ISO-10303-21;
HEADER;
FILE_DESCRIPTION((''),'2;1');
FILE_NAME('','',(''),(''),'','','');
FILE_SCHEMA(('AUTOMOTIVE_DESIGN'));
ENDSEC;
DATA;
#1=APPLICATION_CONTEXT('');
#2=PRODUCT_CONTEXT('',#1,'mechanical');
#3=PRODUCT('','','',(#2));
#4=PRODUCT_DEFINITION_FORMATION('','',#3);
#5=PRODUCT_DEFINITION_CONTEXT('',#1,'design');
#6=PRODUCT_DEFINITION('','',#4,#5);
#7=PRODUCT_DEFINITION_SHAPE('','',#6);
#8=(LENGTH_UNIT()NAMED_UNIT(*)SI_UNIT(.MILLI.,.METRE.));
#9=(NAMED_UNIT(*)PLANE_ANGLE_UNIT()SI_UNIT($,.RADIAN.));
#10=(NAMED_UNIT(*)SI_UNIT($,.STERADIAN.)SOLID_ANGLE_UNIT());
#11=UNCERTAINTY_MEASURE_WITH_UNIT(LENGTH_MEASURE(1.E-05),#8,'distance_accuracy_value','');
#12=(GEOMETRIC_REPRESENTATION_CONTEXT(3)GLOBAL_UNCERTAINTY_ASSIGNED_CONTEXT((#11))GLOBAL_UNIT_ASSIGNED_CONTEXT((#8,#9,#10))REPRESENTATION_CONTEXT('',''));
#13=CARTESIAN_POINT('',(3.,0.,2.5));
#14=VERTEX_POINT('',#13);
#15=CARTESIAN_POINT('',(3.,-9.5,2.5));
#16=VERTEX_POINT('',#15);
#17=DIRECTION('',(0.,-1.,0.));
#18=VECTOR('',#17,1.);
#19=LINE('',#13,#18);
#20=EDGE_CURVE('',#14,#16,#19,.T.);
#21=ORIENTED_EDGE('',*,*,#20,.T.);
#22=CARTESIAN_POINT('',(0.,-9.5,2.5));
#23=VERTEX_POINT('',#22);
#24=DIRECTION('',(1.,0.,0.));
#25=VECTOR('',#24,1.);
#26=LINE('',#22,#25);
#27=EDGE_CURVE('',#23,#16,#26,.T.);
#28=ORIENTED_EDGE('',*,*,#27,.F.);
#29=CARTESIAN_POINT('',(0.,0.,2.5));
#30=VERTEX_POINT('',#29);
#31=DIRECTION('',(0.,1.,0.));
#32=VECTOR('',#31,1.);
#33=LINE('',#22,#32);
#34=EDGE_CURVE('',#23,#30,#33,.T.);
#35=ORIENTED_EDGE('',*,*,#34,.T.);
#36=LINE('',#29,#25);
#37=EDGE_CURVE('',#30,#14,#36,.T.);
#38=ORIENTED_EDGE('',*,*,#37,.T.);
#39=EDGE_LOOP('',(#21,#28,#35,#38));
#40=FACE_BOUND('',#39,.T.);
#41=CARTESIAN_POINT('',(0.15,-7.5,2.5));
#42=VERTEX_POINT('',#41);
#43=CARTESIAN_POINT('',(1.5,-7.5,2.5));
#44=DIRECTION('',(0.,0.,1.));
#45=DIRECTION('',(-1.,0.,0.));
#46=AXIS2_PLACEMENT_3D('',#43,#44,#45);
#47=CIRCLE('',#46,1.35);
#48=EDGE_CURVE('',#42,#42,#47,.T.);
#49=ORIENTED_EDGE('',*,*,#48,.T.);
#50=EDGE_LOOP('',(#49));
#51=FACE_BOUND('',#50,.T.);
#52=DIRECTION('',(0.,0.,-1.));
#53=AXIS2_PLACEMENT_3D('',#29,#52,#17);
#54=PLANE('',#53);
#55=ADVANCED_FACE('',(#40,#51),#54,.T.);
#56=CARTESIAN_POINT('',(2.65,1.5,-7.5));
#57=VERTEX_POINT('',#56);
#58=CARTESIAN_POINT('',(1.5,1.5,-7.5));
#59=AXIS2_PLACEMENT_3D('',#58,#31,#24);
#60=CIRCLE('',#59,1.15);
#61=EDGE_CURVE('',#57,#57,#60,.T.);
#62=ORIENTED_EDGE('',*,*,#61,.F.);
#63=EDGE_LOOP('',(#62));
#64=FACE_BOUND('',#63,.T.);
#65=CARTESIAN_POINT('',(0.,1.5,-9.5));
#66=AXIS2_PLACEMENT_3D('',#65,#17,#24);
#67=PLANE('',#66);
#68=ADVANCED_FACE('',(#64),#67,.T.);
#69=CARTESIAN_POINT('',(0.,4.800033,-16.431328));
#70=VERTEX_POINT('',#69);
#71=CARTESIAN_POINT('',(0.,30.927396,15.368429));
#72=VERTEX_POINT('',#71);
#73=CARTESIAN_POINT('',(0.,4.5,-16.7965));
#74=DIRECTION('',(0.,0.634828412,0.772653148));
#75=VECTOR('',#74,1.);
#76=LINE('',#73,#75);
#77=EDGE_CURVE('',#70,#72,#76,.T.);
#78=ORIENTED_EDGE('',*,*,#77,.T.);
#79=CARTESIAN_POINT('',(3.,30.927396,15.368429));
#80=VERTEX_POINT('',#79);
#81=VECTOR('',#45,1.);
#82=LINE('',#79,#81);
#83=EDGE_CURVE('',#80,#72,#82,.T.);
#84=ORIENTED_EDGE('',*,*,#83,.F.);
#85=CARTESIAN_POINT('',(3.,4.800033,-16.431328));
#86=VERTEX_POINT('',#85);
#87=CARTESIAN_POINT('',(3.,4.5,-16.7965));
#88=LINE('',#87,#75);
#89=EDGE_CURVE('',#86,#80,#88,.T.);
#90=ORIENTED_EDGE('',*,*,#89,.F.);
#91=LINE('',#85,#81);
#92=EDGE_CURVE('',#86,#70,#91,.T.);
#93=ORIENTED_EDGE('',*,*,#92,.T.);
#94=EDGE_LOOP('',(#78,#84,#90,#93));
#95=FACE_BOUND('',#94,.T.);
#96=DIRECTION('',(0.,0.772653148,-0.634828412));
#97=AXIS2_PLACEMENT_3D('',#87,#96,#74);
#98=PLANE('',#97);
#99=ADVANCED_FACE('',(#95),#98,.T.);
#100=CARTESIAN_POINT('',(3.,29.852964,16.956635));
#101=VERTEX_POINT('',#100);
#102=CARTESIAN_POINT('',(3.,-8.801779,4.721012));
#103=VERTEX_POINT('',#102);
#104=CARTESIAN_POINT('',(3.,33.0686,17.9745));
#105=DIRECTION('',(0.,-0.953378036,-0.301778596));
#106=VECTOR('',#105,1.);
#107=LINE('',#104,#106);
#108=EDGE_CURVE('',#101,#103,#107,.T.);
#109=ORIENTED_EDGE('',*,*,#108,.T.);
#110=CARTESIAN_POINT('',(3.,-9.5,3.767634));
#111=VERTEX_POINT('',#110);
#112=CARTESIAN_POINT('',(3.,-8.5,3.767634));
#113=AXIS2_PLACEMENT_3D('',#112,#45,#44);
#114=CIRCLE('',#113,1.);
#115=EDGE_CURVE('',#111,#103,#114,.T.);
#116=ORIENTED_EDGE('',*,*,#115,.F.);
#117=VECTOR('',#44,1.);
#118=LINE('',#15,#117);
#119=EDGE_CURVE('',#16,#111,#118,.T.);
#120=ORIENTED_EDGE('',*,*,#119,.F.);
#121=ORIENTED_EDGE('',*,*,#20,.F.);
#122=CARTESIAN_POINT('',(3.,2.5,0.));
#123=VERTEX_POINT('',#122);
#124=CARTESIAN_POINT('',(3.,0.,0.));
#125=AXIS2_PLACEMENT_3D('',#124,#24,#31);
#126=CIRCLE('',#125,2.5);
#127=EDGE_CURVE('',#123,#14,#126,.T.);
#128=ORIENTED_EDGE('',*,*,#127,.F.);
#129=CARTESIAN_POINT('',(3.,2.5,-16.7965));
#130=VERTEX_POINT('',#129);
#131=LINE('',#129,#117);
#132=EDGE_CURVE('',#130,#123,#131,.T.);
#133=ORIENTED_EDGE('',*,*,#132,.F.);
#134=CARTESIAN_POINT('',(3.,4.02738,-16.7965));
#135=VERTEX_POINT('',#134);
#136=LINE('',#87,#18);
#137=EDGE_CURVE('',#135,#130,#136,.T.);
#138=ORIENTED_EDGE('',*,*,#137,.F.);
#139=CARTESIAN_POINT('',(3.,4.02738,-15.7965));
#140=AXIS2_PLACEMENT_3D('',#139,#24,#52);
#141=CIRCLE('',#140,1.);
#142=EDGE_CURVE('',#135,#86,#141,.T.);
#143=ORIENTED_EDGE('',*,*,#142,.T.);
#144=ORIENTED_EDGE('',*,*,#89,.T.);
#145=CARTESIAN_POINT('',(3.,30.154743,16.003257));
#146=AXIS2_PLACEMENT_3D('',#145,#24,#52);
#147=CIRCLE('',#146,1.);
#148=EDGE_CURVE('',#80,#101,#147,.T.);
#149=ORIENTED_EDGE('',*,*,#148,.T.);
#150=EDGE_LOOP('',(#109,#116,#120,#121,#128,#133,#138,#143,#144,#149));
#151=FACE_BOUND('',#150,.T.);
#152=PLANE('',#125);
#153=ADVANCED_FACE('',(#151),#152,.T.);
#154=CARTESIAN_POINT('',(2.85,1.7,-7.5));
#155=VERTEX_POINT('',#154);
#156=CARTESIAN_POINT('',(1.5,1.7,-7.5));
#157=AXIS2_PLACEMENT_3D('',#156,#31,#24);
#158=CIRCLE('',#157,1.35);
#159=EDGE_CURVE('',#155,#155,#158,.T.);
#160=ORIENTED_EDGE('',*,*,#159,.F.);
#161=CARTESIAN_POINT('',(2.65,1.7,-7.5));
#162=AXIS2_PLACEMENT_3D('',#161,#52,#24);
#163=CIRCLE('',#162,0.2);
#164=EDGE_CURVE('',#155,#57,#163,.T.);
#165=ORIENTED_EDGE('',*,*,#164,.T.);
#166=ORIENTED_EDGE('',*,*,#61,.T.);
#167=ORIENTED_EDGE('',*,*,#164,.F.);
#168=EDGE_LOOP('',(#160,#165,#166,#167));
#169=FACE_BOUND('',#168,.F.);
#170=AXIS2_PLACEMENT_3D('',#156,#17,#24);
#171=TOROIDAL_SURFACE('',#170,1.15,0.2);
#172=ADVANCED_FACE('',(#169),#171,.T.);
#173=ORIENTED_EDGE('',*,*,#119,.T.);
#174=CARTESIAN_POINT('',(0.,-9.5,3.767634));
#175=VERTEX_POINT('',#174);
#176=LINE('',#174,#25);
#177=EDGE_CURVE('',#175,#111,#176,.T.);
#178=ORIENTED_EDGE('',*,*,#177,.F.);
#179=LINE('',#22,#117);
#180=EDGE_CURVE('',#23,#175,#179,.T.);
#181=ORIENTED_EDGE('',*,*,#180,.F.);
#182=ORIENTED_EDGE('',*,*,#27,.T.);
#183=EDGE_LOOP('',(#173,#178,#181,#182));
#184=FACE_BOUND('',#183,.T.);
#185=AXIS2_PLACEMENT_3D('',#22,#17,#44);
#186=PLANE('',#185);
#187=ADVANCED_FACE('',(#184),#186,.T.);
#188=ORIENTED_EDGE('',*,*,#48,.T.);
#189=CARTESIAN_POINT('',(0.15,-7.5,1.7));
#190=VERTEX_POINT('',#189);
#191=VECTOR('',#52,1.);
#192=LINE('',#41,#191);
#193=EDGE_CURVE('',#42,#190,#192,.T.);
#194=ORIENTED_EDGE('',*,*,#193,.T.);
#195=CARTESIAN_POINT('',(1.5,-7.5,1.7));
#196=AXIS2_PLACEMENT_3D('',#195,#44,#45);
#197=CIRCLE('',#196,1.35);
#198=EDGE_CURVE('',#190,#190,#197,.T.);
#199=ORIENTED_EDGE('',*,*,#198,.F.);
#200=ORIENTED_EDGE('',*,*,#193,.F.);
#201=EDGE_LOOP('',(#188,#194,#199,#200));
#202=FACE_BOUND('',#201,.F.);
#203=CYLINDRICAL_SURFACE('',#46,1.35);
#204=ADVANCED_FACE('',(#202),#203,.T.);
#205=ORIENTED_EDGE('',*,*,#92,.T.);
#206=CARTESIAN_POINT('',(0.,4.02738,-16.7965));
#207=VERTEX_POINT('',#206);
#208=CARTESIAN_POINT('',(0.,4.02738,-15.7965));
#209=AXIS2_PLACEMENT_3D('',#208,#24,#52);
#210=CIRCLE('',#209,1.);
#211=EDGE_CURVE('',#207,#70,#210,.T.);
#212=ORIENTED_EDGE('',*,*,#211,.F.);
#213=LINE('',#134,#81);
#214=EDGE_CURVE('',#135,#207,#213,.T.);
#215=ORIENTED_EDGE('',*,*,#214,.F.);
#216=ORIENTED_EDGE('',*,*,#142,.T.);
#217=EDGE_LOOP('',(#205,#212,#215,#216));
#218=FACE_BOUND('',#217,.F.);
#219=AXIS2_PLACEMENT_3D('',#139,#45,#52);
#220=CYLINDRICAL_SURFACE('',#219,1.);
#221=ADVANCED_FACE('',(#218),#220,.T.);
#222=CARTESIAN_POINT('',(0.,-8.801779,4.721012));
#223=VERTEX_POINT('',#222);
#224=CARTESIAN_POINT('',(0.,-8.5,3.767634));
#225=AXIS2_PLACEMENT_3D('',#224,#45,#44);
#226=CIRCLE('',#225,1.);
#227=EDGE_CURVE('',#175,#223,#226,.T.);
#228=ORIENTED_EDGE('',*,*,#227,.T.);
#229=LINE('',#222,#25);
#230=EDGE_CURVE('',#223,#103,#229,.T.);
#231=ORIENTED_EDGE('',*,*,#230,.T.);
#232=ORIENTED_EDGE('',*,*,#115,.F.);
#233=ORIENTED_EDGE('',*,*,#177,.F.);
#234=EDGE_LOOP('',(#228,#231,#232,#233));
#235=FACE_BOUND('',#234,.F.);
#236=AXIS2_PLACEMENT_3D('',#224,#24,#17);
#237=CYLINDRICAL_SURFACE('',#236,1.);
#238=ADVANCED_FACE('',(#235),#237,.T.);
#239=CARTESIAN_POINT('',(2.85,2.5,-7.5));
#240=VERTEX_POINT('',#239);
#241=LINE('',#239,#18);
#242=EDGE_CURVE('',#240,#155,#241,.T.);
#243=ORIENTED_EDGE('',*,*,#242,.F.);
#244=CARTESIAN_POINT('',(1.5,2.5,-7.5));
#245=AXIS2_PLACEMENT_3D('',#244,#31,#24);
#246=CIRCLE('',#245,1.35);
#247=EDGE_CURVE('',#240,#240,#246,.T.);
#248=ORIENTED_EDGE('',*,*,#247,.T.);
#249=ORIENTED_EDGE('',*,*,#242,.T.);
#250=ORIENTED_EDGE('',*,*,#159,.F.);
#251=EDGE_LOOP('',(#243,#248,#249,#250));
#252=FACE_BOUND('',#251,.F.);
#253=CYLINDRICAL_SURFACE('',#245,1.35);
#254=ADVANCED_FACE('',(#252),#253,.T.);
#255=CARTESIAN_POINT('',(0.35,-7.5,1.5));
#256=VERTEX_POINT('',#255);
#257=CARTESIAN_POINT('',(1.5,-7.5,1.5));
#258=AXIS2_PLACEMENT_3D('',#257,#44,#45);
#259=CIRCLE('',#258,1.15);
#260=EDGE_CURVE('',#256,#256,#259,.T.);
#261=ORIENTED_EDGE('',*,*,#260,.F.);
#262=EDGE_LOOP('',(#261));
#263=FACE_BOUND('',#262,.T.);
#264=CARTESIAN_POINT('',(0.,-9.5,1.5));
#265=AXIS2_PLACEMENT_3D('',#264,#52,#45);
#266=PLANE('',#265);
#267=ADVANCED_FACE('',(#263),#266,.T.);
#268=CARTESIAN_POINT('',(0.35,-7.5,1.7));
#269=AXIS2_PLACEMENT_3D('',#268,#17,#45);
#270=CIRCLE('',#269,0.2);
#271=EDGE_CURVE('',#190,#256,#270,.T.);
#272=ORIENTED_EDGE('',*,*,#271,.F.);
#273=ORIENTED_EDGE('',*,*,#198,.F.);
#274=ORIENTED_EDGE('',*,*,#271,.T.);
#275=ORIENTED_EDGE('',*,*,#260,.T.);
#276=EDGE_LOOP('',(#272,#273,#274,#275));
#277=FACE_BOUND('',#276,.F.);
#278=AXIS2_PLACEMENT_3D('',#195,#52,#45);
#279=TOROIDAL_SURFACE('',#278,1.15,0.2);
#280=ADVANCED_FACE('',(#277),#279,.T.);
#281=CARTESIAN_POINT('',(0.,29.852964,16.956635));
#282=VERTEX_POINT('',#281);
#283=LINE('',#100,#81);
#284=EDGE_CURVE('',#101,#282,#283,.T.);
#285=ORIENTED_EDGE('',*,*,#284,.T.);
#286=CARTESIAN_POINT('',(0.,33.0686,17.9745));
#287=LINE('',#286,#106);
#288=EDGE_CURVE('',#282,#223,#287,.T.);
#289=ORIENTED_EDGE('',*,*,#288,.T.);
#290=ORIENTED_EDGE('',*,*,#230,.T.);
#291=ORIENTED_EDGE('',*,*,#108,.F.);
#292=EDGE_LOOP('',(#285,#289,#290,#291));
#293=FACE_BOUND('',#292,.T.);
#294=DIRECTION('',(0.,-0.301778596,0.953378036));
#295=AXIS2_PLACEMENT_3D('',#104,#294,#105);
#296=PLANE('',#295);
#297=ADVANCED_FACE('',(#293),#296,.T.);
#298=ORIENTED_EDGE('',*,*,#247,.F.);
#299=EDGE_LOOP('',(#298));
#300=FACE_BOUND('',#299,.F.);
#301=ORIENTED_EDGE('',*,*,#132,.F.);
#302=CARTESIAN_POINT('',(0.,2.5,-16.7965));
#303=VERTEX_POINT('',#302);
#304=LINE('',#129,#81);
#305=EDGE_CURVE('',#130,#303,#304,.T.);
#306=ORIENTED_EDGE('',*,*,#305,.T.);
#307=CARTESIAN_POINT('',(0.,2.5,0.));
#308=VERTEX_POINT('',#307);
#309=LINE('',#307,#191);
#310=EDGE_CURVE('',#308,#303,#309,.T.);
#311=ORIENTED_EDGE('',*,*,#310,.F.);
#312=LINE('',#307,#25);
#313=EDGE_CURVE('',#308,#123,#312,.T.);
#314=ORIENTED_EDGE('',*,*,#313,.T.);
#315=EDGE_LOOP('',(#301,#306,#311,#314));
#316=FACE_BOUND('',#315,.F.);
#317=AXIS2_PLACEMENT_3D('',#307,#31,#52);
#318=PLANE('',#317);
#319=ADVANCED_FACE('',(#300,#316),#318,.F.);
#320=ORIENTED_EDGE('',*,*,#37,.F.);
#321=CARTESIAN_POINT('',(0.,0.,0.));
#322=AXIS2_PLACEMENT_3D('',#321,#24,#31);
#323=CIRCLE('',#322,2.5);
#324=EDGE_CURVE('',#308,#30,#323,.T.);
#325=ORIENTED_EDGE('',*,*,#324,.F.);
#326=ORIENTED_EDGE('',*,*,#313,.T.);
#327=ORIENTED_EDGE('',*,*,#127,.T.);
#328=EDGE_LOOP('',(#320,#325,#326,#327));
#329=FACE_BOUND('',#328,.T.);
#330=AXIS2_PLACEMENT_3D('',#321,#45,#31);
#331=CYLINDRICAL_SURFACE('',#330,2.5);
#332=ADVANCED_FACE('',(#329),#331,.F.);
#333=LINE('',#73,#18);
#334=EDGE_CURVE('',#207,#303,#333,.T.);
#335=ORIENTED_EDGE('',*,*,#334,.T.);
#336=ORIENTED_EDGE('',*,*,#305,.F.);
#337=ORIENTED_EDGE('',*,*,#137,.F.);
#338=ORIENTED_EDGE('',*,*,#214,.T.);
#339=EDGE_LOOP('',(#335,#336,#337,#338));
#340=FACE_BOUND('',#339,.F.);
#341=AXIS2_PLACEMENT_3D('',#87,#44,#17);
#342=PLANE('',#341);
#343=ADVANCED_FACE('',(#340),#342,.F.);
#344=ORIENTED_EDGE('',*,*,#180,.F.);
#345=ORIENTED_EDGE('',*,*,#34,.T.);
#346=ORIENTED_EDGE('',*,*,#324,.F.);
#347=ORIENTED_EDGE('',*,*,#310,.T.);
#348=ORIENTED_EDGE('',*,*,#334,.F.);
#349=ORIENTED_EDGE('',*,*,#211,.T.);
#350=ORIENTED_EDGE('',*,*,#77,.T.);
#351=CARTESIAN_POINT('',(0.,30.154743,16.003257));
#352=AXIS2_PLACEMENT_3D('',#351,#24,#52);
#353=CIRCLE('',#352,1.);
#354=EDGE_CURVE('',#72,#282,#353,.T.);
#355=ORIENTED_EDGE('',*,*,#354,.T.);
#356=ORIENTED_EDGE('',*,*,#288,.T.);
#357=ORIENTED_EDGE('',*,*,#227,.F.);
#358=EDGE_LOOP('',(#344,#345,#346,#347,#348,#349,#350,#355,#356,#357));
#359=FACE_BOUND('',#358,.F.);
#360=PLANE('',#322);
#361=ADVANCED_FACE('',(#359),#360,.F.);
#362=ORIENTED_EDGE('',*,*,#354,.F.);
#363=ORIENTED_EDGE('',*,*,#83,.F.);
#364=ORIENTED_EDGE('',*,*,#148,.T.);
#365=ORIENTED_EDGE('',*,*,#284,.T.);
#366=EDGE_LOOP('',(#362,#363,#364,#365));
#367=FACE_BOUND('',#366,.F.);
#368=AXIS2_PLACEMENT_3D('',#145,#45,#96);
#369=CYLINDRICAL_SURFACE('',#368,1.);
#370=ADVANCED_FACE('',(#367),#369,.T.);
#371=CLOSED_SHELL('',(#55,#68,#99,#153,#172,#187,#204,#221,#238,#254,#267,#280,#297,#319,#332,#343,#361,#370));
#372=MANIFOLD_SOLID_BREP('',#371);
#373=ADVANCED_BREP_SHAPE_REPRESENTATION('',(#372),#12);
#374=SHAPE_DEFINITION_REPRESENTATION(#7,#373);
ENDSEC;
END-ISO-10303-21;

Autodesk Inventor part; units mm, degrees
ref_plane "YZ Plane" through (0, 0, 0) normal (1, 0, 0) x (0, 1, 0)
ref_plane "XZ Plane" through (0, 0, 0) normal (0, 1, 0) x (-1, 0, 0)
ref_plane "XY Plane" through (0, 0, 0) normal (0, 0, 1) x (1, 0, 0)
sketch "Boceto1" plane through (0, 0, 0) normal (1, 0, 0) x (0, 1, 0)
  circle A0 centre (0, 0) radius 2.5
  line L0 (2.5, 0) -> (2.5, 10.6639)
  line L1 (2.5, 2.5) -> (-7.5, 2.5)
  line L2 (-7.5, 2.5) -> (-9.5, 2.5)
  line L3 (-9.5, 2.5) -> (-9.5, 4.5)
  line L4 (-9.5, 4.5) -> (2.5, 4.5)
  line L5 (0, 0) -> (-4.5773, -4.5773)
  line L6 (0, 0) -> (6.4732, 0) construction
  circle A1 centre (0, 0) radius 2.5
  line L7 (0, 2.5) -> (10.6639, 2.5)
  line L8 (2.5, 2.5) -> (2.5, -7.5)
  line L9 (2.5, -7.5) -> (2.5, -9.5)
  line L10 (2.5, -9.5) -> (4.5, -9.5)
  line L11 (4.5, -9.5) -> (4.5, 2.5)
  line L12 (2.5, 4.5) -> (4.5, 4.5)
  line L13 (4.5, 4.5) -> (4.5, 2.5)
  point P0 (0, 2.5)
  dimension "d0" = 5
  dimension "d1" = 10
  dimension "d2" = 2
  dimension "d3" = 2
  dimension "d4" = 135
extrude "Extrusión1" add sketch "Boceto1" along normal blind 3 contours A0 L1 L0 | L0 L7 L11 L10 L9 L8 | L1 L2 L3 L4 L0 | L0 L12 L13 L7
sketch "Boceto2" plane through (3, 0, 0) normal (1, 0, 0) x (0, 0, -1)
  line L0 (16.7965, 4.5) -> (-17.9745, 33.0686)
  line L1 (-4.5, 4.5) -> (-4.5, -9.5) projected
  line L2 (-17.9745, 33.0686) -> (-4.5, -9.5)
  line L3 (-2.5, -9.5) -> (-2.5, 0) projected
  arc A0 (0, 2.5) -> (-2.5, 0) centre (0, 0) ccw projected
  line L4 (0, 2.5) -> (9.5, 2.5) projected
  line L5 (9.5, 2.5) -> (9.5, 4.5) projected
  line L6 (9.5, 4.5) -> (-4.5, 4.5) projected
  line L7 (-4.5, 4.5) -> (-4.5, -9.5) projected
  line L8 (-4.5, -9.5) -> (-2.5, -9.5) projected
  line L9 (9.5, 2.5) -> (9.5, 4.5) projected
  line L10 (9.5, 4.5) -> (16.7965, 4.5)
  line L11 (16.7965, 2.5) -> (9.5, 2.5)
  line L12 (9.5, 2.5) -> (16.7965, 2.5)
  line L13 (16.7965, 4.5) -> (16.7965, 2.5)
extrude "Extrusión2" add sketch "Boceto2" against normal blind 3 contours L10 L6 L1 L2 L0 | L13 L11 L5 L10
sketch "Boceto3" plane through (0, 2.5, -9.5) normal (0, -1, 0) x (1, 0, 0)
  line L0 (0, 0) -> (3, 0) projected
  line L1 (1.5, 0) -> (1.5, 2)
  circle A0 centre (1.5, 2) radius 1.35
  point P0 (0, 9.5)
  dimension "d9" = 2
  dimension "d10" = 2.7
extrude "Extrusión3" add sketch "Boceto3" along normal blind 1
fillet "Empalme1" radius 0.2 1 edges at (0.15, 1.5, -7.5)
sketch "Boceto4" plane through (0, -9.5, 2.5) normal (0, 0, -1) x (-1, 0, 0)
  line L0 (0, 0) -> (-3, 0) projected
  line L1 (-1.5, 0) -> (-1.5, 2)
  circle A0 centre (-1.5, 2) radius 1.35
  point P0 (0, 9.5)
  dimension "d14" = 2
  dimension "d15" = 2.7
extrude "Extrusión4" add sketch "Boceto4" along normal blind 1
fillet "Empalme2" radius 0.2 1 edges at (2.85, -7.5, 1.5)
fillet "Empalme3" radius 1 3 edges at (1.5, 4.5, -16.7965) (1.5, -9.5, 4.5) (1.5, 33.0686, 17.9745)
properties part number "gato"
